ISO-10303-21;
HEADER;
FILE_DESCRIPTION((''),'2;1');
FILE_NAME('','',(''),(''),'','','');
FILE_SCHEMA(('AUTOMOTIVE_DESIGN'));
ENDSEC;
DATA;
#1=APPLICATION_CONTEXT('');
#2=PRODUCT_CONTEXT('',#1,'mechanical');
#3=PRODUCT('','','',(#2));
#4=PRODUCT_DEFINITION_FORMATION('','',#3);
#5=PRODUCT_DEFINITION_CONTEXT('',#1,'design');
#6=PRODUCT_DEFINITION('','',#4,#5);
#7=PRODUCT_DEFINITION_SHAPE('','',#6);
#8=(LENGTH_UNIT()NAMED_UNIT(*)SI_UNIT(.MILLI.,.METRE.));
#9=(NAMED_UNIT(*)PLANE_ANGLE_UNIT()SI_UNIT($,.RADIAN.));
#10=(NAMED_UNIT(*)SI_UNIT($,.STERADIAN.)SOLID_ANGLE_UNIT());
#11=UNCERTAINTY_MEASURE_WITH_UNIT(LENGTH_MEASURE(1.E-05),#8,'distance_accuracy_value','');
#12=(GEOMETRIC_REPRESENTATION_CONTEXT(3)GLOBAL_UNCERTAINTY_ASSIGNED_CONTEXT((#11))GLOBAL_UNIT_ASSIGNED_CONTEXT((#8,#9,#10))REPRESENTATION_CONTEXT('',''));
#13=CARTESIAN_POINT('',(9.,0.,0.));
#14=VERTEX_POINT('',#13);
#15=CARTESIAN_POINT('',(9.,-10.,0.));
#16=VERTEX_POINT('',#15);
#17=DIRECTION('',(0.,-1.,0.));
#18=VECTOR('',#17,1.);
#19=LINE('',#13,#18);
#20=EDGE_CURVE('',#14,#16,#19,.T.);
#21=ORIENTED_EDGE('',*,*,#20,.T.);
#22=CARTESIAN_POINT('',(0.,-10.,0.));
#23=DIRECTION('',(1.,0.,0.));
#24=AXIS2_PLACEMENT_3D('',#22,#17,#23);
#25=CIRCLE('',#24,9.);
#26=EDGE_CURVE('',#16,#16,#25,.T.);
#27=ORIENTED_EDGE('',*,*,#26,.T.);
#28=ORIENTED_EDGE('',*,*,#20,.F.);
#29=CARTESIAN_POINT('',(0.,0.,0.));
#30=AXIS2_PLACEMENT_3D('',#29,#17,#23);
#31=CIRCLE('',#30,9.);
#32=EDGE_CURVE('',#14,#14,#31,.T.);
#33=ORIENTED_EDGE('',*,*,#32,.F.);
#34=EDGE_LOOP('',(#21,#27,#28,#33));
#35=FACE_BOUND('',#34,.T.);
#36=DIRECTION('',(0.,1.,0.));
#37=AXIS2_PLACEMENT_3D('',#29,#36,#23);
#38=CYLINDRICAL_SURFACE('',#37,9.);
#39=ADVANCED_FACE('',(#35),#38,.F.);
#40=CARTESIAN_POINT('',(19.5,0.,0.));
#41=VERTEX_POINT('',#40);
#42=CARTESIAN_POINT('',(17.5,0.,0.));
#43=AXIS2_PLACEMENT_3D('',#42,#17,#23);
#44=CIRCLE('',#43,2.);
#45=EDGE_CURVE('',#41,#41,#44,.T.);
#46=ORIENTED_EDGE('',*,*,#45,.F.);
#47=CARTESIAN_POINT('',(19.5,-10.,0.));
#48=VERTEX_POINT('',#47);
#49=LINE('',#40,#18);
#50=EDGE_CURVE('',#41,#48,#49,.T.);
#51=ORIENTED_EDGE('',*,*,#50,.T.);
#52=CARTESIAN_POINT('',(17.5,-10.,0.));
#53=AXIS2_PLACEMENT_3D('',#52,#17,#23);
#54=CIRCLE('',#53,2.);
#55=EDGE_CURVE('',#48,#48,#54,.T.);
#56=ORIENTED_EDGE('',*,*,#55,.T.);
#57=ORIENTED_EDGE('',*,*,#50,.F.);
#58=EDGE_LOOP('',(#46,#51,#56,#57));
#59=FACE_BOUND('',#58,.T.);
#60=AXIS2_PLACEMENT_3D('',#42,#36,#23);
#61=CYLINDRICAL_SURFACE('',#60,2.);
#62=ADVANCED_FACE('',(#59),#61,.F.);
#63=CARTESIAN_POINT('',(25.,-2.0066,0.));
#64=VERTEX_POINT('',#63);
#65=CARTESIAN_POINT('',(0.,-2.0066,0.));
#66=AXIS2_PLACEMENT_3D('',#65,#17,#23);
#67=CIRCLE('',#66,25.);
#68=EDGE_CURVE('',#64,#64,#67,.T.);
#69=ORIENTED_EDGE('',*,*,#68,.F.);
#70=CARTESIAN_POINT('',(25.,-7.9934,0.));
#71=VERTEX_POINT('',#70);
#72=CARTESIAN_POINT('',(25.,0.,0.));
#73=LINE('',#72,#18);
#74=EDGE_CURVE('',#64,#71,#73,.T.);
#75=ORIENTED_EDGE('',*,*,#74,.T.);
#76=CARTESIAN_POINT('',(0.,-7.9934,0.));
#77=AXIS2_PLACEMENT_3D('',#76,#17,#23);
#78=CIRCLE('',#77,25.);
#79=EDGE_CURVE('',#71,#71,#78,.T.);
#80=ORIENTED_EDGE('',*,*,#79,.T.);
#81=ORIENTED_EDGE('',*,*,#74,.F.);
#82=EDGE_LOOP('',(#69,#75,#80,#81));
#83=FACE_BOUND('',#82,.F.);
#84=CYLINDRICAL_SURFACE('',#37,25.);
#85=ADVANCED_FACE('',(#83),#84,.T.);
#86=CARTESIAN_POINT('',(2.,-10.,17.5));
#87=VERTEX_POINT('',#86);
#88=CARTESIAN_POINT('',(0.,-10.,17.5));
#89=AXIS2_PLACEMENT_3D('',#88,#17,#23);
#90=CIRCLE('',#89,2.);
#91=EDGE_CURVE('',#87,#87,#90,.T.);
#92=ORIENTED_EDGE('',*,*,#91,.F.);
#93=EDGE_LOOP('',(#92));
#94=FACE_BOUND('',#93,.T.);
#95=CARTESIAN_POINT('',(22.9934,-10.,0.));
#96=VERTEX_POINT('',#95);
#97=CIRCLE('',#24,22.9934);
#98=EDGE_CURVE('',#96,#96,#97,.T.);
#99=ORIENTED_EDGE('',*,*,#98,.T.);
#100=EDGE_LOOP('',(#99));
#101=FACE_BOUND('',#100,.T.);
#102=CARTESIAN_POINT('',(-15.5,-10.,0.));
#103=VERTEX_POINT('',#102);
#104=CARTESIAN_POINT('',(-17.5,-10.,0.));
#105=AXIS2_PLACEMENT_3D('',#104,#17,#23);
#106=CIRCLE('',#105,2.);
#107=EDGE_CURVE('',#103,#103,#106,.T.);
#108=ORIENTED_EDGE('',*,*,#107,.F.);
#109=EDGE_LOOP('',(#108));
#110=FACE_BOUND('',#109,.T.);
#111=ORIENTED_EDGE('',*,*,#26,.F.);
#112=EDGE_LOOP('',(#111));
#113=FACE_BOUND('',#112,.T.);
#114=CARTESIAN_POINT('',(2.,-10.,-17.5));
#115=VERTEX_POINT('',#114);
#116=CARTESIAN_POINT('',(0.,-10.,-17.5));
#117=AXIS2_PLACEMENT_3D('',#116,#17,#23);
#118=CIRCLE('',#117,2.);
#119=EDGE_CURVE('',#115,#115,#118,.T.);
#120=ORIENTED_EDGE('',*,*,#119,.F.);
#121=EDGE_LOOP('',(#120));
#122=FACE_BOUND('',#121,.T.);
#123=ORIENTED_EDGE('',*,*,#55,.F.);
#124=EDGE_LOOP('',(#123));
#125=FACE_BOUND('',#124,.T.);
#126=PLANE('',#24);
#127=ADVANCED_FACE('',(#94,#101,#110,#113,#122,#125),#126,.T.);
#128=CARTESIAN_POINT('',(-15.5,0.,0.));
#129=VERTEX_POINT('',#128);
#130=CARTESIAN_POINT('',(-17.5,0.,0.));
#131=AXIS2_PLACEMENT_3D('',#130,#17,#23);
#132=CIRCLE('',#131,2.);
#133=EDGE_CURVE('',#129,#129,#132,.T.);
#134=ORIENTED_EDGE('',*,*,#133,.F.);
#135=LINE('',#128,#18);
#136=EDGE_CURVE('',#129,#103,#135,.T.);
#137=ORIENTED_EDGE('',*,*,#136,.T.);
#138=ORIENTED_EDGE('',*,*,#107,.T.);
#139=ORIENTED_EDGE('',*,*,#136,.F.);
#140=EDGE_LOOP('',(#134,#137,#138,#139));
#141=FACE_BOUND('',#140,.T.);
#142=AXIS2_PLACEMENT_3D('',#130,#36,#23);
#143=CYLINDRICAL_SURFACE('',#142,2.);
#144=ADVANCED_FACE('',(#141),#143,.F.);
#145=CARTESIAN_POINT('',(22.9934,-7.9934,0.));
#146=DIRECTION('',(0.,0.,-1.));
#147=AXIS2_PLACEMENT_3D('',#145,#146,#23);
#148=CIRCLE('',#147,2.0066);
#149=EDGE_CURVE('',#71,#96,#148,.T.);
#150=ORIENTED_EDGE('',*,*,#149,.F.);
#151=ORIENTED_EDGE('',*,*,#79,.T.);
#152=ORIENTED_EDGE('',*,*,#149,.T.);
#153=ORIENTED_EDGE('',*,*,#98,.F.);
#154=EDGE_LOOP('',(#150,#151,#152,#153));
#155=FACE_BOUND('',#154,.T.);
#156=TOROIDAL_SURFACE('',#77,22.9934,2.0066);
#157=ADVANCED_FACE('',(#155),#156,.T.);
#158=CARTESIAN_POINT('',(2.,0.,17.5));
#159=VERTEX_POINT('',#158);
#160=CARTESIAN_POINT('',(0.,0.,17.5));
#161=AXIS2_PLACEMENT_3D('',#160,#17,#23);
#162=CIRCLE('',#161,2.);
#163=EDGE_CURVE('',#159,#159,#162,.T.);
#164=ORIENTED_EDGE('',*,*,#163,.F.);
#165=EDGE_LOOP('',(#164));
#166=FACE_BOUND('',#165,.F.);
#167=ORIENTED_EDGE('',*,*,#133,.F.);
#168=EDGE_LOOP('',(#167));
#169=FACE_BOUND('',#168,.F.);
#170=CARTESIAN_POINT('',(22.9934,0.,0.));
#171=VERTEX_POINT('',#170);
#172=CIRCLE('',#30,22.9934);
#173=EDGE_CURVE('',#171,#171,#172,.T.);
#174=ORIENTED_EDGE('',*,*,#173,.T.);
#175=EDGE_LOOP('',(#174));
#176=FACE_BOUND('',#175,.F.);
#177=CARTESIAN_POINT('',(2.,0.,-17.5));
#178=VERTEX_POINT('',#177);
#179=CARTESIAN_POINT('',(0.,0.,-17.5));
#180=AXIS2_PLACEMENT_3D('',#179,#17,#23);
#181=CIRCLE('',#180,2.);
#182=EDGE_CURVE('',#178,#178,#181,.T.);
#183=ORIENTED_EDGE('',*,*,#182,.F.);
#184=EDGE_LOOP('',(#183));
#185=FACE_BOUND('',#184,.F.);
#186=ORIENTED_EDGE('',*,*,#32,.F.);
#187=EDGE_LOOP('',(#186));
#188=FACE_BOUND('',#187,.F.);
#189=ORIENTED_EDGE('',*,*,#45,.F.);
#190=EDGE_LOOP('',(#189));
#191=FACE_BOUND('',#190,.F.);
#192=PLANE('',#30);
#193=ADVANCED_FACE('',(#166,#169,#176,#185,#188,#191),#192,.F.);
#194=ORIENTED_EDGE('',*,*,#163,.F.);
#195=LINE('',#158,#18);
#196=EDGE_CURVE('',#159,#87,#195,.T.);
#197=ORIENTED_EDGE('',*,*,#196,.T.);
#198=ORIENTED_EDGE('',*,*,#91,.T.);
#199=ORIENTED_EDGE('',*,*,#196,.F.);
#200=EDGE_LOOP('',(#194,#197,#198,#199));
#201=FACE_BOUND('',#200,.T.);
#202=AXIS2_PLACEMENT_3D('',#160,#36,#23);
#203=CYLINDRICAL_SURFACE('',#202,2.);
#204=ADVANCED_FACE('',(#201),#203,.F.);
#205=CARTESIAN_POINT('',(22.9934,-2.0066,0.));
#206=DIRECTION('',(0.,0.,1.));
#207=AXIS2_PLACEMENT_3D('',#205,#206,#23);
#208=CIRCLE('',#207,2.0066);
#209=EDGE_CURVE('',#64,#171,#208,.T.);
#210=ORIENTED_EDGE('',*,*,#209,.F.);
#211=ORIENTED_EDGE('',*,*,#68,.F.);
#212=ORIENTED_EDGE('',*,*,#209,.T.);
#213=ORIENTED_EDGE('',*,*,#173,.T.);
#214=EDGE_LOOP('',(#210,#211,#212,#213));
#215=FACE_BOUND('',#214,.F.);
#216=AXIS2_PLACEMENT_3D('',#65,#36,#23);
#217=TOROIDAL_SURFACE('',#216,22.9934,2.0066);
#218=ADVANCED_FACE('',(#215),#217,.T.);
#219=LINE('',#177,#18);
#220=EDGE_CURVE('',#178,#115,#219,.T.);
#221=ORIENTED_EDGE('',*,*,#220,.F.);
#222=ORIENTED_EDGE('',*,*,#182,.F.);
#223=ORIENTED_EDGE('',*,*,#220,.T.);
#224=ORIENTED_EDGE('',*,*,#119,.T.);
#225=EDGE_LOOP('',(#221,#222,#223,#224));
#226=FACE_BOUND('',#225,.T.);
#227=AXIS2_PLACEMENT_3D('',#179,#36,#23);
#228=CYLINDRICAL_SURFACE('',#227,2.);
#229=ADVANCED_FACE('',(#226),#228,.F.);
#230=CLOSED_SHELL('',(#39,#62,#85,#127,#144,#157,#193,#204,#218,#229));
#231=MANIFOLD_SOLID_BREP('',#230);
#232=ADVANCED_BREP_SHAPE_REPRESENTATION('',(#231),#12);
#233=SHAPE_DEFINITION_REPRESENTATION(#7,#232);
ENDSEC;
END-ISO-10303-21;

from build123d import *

# Parameters (mm, degrees)
F0_R     = 25
F0_R_2   = 2
F0_R_3   = 9
F1_DEPTH = 10
F2_R     = 2.0066


with BuildPart() as f1:
    # F0 (on Front) → F1 (new body)
    with BuildSketch(Plane.XZ):
        Circle(F0_R)
        with Locations((0, -17.5)):
            Circle(F0_R_2, mode=Mode.SUBTRACT)
        with Locations((-17.5, 0)):
            Circle(F0_R_2, mode=Mode.SUBTRACT)
        Circle(F0_R_3, mode=Mode.SUBTRACT)
        with Locations((17.5, 0)):
            Circle(F0_R_2, mode=Mode.SUBTRACT)
        with Locations((0, 17.5)):
            Circle(F0_R_2, mode=Mode.SUBTRACT)
    extrude(amount=F1_DEPTH)

    # F2
    f2_edges = [f1.edges().sort_by_distance(p)[0] for p in [
        (25, -5, 0),
        (-25, 0, 0),
        (-25, -10, 0),
    ]]
    fillet(f2_edges, radius=F2_R)


solid = f1.part
